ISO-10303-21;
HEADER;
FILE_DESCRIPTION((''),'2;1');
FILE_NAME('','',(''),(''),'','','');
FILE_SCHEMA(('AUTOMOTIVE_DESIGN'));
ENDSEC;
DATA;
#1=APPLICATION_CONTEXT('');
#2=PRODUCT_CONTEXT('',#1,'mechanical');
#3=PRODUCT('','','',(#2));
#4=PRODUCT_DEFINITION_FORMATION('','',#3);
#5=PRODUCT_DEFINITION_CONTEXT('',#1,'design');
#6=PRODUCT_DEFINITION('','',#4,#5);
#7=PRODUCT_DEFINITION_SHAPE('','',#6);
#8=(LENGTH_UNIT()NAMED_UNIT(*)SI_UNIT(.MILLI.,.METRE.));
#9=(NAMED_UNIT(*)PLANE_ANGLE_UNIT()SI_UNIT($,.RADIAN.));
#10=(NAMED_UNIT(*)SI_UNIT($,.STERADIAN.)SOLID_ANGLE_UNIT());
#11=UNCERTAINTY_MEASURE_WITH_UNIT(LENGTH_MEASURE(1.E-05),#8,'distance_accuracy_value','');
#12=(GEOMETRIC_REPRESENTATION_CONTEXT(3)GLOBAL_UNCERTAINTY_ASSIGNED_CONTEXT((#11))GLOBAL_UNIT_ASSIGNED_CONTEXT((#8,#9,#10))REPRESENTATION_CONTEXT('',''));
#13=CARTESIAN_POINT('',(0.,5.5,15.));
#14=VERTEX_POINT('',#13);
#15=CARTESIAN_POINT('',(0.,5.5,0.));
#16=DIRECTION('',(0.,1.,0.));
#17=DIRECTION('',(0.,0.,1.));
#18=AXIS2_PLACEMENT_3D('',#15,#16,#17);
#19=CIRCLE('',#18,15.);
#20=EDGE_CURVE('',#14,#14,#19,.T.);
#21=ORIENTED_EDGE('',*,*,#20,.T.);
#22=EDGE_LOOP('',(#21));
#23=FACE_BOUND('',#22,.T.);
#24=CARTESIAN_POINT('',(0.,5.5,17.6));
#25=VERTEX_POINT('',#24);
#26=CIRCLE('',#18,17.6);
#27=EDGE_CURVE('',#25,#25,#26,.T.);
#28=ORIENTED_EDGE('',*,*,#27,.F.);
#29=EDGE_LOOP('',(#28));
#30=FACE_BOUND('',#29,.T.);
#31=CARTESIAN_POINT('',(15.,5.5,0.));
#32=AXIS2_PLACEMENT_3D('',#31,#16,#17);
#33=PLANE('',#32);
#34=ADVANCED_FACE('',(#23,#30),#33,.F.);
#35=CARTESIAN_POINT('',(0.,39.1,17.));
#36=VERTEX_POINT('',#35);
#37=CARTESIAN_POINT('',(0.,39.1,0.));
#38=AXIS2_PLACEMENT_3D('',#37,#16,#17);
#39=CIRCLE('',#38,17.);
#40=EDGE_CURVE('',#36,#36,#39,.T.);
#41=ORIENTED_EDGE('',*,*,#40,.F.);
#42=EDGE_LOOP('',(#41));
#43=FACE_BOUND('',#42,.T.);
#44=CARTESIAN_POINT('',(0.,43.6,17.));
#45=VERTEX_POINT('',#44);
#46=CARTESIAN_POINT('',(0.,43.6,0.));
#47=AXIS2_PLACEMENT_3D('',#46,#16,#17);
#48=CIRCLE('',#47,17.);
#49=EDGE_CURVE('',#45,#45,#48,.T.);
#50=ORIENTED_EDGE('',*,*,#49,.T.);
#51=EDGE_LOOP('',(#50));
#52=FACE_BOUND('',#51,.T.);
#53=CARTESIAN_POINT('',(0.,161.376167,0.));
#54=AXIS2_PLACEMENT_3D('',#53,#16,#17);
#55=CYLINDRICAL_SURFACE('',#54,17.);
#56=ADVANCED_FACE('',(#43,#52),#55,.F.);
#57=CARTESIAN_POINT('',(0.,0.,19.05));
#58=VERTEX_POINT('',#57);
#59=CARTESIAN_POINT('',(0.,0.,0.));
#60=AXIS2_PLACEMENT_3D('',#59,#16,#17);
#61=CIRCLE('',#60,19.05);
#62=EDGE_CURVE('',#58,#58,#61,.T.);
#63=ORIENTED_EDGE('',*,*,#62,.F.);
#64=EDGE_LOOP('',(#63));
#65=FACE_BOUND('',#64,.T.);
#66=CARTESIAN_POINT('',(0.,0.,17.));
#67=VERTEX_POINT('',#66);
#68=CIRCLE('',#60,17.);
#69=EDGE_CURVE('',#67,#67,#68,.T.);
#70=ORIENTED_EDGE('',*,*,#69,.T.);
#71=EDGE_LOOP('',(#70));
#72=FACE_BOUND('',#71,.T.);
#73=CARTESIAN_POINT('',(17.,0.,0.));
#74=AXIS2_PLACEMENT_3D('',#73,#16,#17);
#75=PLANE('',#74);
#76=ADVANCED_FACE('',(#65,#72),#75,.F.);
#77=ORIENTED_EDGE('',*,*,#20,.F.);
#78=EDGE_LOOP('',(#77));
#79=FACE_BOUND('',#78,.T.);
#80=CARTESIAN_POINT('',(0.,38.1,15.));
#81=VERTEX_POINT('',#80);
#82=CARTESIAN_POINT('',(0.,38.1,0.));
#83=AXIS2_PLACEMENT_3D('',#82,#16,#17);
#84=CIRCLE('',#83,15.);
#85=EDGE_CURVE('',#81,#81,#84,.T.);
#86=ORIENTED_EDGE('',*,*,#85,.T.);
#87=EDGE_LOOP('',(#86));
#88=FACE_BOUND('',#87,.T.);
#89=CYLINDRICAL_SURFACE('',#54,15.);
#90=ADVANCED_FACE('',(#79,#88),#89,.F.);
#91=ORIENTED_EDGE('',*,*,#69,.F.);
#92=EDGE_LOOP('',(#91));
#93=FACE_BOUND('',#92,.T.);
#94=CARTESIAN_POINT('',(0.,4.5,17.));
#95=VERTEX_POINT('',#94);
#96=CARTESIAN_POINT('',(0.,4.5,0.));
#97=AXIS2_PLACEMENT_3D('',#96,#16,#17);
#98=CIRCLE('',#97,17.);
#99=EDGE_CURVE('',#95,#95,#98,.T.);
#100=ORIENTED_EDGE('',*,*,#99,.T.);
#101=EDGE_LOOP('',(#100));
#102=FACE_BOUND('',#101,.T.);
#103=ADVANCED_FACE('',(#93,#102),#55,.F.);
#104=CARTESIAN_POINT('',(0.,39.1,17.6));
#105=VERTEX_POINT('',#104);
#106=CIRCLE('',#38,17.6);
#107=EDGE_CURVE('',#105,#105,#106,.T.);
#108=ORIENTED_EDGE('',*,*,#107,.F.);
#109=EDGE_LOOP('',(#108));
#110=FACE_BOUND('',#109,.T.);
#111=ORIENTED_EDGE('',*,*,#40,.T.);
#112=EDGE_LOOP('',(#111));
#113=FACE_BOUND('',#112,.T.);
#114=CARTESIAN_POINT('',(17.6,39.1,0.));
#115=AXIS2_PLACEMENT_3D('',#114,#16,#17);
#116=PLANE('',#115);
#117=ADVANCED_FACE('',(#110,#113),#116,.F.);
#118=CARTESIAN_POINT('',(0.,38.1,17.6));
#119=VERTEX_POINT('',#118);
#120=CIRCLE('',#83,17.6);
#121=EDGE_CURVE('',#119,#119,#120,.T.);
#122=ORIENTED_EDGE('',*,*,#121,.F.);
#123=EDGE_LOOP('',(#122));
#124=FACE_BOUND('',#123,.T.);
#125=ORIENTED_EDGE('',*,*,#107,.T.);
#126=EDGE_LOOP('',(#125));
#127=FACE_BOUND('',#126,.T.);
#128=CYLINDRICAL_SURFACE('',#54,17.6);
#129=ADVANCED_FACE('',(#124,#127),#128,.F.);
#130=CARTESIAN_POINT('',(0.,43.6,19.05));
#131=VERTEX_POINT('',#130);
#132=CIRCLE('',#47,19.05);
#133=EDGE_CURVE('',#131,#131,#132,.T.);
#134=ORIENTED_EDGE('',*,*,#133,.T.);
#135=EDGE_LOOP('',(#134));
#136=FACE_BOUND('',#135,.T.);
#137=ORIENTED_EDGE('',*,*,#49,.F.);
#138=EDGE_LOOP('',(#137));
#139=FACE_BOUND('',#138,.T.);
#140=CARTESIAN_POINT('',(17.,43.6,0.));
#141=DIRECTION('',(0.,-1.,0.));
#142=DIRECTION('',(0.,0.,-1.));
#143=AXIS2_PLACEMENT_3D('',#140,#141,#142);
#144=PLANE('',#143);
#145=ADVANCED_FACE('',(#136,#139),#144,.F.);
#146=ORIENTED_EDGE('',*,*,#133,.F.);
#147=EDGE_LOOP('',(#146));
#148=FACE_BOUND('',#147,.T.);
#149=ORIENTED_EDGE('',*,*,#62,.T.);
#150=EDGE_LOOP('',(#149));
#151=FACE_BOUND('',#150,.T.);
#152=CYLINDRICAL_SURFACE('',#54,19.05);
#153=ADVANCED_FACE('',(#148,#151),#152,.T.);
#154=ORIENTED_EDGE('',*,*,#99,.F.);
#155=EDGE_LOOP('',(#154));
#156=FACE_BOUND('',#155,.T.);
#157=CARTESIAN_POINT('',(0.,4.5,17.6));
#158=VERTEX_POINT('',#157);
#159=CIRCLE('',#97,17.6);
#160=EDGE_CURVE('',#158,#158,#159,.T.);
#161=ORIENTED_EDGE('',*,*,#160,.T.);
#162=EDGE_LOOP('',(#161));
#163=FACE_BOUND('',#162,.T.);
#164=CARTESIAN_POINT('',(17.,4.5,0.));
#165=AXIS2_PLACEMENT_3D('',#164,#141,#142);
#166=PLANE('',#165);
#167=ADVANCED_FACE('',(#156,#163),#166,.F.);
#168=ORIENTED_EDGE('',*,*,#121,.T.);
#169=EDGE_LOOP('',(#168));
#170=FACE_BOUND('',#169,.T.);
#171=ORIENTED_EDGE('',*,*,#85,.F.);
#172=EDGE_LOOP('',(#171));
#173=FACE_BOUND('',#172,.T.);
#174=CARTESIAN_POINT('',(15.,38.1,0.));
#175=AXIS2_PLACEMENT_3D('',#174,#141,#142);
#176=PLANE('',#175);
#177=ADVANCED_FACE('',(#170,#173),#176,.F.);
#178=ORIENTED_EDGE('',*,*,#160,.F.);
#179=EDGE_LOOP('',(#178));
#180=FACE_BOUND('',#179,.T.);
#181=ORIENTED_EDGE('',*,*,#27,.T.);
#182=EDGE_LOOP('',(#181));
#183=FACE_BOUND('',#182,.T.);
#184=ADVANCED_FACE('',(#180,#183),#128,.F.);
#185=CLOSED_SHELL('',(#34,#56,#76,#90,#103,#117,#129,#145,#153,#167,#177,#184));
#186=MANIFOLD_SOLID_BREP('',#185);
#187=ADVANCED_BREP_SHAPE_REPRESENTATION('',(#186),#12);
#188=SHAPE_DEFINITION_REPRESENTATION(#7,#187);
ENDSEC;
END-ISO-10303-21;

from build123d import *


with BuildPart() as part:
    # 草图1 → 旋转1 (revolve)
    with BuildSketch(Plane.XY, mode=Mode.PRIVATE) as revolve_1_sk:
        Polygon((19.05, 0), (19.05, 43.6), (17, 43.6), (17, 39.1), (17.6, 39.1), (17.6, 38.1), (15, 38.1), (15, 5.5), (17.6, 5.5), (17.6, 4.5), (17, 4.5), (17, 0), align=None)
    revolve(revolve_1_sk.sketch.rotate(Axis((0, 161.376166943, 0), (0, -1, 0)), 90), axis=Axis((0, 161.376166943, 0), (0, -1, 0)))  # turned: the seam where the file's is


solid = part.part
